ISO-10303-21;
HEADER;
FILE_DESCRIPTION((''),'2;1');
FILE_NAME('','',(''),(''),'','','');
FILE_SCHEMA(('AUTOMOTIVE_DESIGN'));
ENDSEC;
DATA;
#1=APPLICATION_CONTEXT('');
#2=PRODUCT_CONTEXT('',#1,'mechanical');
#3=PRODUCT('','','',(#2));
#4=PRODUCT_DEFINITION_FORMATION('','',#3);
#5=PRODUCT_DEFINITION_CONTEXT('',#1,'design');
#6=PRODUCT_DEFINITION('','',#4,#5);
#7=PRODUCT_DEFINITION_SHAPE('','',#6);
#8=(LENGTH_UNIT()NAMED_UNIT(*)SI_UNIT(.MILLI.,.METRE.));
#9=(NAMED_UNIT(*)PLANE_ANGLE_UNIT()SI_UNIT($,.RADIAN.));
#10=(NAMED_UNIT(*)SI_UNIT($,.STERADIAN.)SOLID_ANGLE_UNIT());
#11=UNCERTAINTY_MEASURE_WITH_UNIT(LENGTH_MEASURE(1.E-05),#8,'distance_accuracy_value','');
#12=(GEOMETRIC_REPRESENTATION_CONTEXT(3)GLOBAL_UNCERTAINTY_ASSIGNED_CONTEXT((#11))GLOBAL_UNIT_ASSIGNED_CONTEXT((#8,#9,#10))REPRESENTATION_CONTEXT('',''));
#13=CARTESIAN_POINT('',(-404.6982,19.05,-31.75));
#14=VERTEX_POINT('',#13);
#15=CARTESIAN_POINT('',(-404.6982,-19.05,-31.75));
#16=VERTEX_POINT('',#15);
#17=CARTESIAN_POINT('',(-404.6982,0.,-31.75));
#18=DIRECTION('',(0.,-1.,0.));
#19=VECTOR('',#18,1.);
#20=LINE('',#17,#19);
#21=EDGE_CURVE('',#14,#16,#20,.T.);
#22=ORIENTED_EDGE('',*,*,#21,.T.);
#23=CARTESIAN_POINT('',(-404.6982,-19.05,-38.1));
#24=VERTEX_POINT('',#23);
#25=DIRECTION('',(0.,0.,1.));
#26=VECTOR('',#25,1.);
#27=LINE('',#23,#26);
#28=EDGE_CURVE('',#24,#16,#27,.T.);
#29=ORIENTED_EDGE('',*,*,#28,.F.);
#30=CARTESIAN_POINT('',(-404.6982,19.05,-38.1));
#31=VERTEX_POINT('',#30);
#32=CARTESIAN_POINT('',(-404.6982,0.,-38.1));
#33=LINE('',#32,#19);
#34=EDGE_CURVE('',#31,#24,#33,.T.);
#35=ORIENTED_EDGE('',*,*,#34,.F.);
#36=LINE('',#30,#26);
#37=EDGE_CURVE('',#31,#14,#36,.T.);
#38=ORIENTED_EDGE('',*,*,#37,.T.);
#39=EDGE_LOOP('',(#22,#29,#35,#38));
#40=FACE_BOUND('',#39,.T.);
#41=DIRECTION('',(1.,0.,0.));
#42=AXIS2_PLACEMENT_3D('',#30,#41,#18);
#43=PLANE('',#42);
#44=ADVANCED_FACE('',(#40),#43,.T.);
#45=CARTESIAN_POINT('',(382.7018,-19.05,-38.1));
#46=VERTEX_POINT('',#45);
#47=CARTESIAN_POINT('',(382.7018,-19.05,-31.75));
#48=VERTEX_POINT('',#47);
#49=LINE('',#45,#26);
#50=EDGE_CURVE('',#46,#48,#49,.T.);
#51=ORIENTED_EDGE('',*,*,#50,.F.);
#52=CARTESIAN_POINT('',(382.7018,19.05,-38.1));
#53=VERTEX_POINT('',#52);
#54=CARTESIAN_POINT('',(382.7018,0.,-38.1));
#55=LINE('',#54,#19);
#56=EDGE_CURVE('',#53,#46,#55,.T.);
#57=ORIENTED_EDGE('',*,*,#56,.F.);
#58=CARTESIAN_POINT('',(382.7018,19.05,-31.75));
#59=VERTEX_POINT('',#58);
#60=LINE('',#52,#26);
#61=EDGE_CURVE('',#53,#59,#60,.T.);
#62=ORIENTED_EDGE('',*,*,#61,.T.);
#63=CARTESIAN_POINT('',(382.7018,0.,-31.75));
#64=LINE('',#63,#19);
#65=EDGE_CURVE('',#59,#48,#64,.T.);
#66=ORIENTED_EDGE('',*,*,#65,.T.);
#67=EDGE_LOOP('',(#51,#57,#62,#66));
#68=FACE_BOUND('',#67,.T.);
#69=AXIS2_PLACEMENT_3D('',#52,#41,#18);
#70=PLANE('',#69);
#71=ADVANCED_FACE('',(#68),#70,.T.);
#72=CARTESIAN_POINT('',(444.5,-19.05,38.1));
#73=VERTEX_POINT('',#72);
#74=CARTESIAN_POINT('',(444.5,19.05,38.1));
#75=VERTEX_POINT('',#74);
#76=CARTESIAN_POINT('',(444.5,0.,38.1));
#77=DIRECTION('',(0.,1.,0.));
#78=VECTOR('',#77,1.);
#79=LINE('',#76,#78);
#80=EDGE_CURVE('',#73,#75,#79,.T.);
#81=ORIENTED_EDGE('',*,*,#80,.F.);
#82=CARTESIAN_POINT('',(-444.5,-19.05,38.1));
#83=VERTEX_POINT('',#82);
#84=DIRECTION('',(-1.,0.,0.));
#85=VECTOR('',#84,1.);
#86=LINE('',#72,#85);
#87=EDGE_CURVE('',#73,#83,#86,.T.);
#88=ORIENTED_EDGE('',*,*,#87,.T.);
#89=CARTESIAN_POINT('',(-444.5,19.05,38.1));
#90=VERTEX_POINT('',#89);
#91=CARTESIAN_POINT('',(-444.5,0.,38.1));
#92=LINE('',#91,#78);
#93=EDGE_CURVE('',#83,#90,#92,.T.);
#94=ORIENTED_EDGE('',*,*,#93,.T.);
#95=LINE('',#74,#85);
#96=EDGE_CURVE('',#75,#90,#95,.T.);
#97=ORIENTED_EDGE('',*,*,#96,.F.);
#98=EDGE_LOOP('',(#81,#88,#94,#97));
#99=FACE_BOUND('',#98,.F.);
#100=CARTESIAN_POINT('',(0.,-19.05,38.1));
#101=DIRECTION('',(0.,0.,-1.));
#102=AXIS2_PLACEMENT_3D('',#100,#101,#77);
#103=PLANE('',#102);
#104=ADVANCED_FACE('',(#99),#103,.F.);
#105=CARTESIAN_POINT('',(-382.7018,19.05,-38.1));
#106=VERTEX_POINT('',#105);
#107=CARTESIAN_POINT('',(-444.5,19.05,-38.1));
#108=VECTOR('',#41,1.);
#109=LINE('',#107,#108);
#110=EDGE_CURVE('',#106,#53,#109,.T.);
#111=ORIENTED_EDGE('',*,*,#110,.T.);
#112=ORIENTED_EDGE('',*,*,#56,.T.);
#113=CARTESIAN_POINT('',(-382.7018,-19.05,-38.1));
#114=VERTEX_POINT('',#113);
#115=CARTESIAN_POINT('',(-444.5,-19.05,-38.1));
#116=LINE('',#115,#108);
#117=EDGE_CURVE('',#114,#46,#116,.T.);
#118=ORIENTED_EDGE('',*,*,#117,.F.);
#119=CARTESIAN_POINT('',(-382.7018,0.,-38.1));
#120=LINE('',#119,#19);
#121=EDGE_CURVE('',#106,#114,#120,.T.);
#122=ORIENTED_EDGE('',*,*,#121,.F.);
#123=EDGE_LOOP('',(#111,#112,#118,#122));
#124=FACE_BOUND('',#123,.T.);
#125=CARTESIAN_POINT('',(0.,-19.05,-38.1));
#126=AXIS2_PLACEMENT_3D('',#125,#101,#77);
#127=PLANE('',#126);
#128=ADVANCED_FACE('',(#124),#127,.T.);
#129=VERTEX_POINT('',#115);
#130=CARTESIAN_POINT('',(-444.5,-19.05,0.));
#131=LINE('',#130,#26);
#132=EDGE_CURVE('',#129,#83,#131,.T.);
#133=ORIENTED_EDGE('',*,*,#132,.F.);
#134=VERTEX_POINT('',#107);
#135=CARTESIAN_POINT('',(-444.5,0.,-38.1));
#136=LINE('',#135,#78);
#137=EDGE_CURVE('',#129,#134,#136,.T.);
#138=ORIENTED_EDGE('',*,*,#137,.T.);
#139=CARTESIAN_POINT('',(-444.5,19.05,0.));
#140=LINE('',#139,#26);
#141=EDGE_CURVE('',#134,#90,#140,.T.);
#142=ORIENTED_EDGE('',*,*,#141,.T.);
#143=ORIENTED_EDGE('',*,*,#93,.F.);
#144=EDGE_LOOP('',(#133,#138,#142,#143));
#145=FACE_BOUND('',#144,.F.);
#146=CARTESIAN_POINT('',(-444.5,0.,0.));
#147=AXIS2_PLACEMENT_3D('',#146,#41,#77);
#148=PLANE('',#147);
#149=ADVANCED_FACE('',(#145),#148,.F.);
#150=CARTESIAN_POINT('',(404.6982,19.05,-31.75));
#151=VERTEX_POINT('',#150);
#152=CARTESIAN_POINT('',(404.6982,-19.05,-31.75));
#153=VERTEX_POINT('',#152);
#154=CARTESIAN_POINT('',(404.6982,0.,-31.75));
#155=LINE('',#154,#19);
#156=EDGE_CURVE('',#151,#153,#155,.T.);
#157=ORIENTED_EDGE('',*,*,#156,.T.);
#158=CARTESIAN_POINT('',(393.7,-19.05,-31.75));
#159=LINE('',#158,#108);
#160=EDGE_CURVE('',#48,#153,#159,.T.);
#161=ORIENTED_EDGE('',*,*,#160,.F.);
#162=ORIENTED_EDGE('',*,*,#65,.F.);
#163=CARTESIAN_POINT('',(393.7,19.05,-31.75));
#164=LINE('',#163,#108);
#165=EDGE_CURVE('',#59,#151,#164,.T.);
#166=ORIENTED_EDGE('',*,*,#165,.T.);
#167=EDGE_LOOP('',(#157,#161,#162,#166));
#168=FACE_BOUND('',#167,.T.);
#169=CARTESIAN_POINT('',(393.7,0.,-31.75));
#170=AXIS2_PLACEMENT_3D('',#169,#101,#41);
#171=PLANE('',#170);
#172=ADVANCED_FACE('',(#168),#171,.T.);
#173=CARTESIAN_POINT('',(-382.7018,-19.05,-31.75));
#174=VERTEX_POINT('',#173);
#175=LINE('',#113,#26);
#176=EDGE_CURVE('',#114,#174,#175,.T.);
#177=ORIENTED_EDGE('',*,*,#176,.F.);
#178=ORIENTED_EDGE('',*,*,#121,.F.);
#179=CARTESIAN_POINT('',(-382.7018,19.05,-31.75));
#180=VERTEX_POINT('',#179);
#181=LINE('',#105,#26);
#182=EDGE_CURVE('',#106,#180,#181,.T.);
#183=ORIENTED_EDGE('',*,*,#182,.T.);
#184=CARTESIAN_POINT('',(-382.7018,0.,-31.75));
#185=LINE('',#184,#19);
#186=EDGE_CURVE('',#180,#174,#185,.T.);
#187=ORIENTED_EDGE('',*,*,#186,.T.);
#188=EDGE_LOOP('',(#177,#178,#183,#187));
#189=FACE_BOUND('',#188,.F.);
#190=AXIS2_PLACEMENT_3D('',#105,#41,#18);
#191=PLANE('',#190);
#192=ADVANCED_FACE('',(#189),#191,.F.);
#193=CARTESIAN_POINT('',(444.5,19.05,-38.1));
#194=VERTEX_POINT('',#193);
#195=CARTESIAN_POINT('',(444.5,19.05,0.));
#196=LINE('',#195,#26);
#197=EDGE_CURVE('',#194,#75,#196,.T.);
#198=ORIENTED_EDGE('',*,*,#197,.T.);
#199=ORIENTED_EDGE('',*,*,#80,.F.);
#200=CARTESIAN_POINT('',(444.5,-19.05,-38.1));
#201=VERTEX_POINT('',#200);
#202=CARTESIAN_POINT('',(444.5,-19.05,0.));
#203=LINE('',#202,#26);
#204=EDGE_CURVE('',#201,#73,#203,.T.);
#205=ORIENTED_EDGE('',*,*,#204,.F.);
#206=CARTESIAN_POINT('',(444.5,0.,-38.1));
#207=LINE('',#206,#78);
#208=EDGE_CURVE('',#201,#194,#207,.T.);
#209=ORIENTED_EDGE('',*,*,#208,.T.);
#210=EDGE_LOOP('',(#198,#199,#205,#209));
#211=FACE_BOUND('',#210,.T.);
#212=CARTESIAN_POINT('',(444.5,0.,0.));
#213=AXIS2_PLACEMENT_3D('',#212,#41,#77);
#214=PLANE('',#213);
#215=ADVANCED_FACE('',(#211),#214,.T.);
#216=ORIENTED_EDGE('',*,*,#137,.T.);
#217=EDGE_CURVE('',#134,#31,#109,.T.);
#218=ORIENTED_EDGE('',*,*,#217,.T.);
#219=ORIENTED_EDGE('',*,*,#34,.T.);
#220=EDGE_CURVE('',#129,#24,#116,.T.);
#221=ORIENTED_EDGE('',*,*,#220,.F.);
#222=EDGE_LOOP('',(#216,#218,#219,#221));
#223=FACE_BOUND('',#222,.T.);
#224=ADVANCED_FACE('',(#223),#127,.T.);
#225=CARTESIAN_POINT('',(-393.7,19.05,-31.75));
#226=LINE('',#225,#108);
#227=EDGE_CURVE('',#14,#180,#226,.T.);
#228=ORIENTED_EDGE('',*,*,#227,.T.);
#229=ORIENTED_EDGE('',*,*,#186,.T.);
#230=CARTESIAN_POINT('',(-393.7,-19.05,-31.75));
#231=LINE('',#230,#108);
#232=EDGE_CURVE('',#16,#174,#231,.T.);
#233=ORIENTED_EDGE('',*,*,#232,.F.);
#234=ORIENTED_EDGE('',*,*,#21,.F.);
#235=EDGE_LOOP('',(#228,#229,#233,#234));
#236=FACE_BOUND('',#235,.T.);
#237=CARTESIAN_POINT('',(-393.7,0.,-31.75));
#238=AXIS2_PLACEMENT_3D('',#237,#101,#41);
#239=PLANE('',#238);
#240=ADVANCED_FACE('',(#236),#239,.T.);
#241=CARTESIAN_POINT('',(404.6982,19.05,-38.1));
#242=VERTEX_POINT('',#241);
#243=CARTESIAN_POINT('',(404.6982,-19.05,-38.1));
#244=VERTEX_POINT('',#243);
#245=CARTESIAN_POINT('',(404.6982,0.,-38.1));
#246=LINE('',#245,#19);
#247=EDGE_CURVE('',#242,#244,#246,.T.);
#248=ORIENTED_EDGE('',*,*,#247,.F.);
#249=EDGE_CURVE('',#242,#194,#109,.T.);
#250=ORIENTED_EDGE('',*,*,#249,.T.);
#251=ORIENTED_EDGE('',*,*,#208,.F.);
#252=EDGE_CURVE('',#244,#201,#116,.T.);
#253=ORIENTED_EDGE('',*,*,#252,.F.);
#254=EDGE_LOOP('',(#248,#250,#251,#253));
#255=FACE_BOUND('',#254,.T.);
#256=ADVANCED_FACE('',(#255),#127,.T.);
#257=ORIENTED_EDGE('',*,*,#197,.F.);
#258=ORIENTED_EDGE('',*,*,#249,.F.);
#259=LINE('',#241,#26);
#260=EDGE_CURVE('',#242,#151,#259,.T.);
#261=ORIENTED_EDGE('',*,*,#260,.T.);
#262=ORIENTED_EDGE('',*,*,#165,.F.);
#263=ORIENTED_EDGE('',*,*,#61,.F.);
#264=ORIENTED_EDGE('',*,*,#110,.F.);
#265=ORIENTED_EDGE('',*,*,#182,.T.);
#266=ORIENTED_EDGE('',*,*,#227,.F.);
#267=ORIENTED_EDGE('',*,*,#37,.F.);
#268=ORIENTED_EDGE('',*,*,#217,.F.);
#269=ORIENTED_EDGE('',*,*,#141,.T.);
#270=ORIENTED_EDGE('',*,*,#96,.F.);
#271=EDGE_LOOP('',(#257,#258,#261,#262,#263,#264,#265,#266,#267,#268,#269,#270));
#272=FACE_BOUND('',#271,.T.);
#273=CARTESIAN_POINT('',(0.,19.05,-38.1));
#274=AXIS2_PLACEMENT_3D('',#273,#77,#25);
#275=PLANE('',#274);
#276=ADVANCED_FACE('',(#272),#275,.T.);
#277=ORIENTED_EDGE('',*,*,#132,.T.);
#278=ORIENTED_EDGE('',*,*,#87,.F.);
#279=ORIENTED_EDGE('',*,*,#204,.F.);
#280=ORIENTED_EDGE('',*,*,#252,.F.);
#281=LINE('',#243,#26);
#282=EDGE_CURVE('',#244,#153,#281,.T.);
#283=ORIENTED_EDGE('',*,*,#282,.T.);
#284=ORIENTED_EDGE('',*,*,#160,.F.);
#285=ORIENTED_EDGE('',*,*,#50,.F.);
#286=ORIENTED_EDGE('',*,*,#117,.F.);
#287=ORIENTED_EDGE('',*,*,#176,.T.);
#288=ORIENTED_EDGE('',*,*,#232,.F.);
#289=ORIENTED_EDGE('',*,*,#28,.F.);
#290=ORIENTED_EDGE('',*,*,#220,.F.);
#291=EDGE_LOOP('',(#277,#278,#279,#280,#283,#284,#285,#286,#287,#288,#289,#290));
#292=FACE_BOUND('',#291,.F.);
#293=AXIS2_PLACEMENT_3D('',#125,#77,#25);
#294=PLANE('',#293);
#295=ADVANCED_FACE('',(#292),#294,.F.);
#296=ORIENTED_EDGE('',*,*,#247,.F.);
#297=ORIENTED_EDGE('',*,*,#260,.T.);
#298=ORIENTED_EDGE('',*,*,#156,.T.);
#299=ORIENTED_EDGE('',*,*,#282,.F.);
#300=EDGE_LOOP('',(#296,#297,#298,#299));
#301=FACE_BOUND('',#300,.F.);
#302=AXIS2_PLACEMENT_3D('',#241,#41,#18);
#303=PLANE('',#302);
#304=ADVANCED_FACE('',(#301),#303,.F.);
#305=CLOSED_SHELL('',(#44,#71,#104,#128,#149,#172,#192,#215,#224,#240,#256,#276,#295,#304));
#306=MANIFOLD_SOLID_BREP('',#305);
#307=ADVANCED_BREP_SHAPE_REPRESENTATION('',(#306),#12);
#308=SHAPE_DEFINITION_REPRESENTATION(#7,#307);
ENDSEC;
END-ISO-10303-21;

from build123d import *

# Parameters (mm, degrees)
F0_W     = 38.1
F0_H     = 76.2
F1_DEPTH = 444.5
F2_W     = 21.9964
F2_H     = 38.1
F3_DEPTH = 6.35


with BuildPart() as f1:
    # F0 (on Right) → F1 (new body, symmetric)
    with BuildSketch(Plane.YZ):
        Rectangle(F0_W, F0_H)
    extrude(amount=F1_DEPTH, both=True)

    # F2 (on face) → F3 (cut)
    with BuildSketch(Plane(origin=(0, 0, -38.1), x_dir=(1, 0, 0), z_dir=(0, 0, -1))):
        with Locations((393.7, 0)):
            Rectangle(F2_W, F2_H)
        with Locations((-393.7, 0)):
            Rectangle(F2_W, F2_H)
    extrude(amount=-F3_DEPTH, mode=Mode.SUBTRACT)


solid = f1.part
